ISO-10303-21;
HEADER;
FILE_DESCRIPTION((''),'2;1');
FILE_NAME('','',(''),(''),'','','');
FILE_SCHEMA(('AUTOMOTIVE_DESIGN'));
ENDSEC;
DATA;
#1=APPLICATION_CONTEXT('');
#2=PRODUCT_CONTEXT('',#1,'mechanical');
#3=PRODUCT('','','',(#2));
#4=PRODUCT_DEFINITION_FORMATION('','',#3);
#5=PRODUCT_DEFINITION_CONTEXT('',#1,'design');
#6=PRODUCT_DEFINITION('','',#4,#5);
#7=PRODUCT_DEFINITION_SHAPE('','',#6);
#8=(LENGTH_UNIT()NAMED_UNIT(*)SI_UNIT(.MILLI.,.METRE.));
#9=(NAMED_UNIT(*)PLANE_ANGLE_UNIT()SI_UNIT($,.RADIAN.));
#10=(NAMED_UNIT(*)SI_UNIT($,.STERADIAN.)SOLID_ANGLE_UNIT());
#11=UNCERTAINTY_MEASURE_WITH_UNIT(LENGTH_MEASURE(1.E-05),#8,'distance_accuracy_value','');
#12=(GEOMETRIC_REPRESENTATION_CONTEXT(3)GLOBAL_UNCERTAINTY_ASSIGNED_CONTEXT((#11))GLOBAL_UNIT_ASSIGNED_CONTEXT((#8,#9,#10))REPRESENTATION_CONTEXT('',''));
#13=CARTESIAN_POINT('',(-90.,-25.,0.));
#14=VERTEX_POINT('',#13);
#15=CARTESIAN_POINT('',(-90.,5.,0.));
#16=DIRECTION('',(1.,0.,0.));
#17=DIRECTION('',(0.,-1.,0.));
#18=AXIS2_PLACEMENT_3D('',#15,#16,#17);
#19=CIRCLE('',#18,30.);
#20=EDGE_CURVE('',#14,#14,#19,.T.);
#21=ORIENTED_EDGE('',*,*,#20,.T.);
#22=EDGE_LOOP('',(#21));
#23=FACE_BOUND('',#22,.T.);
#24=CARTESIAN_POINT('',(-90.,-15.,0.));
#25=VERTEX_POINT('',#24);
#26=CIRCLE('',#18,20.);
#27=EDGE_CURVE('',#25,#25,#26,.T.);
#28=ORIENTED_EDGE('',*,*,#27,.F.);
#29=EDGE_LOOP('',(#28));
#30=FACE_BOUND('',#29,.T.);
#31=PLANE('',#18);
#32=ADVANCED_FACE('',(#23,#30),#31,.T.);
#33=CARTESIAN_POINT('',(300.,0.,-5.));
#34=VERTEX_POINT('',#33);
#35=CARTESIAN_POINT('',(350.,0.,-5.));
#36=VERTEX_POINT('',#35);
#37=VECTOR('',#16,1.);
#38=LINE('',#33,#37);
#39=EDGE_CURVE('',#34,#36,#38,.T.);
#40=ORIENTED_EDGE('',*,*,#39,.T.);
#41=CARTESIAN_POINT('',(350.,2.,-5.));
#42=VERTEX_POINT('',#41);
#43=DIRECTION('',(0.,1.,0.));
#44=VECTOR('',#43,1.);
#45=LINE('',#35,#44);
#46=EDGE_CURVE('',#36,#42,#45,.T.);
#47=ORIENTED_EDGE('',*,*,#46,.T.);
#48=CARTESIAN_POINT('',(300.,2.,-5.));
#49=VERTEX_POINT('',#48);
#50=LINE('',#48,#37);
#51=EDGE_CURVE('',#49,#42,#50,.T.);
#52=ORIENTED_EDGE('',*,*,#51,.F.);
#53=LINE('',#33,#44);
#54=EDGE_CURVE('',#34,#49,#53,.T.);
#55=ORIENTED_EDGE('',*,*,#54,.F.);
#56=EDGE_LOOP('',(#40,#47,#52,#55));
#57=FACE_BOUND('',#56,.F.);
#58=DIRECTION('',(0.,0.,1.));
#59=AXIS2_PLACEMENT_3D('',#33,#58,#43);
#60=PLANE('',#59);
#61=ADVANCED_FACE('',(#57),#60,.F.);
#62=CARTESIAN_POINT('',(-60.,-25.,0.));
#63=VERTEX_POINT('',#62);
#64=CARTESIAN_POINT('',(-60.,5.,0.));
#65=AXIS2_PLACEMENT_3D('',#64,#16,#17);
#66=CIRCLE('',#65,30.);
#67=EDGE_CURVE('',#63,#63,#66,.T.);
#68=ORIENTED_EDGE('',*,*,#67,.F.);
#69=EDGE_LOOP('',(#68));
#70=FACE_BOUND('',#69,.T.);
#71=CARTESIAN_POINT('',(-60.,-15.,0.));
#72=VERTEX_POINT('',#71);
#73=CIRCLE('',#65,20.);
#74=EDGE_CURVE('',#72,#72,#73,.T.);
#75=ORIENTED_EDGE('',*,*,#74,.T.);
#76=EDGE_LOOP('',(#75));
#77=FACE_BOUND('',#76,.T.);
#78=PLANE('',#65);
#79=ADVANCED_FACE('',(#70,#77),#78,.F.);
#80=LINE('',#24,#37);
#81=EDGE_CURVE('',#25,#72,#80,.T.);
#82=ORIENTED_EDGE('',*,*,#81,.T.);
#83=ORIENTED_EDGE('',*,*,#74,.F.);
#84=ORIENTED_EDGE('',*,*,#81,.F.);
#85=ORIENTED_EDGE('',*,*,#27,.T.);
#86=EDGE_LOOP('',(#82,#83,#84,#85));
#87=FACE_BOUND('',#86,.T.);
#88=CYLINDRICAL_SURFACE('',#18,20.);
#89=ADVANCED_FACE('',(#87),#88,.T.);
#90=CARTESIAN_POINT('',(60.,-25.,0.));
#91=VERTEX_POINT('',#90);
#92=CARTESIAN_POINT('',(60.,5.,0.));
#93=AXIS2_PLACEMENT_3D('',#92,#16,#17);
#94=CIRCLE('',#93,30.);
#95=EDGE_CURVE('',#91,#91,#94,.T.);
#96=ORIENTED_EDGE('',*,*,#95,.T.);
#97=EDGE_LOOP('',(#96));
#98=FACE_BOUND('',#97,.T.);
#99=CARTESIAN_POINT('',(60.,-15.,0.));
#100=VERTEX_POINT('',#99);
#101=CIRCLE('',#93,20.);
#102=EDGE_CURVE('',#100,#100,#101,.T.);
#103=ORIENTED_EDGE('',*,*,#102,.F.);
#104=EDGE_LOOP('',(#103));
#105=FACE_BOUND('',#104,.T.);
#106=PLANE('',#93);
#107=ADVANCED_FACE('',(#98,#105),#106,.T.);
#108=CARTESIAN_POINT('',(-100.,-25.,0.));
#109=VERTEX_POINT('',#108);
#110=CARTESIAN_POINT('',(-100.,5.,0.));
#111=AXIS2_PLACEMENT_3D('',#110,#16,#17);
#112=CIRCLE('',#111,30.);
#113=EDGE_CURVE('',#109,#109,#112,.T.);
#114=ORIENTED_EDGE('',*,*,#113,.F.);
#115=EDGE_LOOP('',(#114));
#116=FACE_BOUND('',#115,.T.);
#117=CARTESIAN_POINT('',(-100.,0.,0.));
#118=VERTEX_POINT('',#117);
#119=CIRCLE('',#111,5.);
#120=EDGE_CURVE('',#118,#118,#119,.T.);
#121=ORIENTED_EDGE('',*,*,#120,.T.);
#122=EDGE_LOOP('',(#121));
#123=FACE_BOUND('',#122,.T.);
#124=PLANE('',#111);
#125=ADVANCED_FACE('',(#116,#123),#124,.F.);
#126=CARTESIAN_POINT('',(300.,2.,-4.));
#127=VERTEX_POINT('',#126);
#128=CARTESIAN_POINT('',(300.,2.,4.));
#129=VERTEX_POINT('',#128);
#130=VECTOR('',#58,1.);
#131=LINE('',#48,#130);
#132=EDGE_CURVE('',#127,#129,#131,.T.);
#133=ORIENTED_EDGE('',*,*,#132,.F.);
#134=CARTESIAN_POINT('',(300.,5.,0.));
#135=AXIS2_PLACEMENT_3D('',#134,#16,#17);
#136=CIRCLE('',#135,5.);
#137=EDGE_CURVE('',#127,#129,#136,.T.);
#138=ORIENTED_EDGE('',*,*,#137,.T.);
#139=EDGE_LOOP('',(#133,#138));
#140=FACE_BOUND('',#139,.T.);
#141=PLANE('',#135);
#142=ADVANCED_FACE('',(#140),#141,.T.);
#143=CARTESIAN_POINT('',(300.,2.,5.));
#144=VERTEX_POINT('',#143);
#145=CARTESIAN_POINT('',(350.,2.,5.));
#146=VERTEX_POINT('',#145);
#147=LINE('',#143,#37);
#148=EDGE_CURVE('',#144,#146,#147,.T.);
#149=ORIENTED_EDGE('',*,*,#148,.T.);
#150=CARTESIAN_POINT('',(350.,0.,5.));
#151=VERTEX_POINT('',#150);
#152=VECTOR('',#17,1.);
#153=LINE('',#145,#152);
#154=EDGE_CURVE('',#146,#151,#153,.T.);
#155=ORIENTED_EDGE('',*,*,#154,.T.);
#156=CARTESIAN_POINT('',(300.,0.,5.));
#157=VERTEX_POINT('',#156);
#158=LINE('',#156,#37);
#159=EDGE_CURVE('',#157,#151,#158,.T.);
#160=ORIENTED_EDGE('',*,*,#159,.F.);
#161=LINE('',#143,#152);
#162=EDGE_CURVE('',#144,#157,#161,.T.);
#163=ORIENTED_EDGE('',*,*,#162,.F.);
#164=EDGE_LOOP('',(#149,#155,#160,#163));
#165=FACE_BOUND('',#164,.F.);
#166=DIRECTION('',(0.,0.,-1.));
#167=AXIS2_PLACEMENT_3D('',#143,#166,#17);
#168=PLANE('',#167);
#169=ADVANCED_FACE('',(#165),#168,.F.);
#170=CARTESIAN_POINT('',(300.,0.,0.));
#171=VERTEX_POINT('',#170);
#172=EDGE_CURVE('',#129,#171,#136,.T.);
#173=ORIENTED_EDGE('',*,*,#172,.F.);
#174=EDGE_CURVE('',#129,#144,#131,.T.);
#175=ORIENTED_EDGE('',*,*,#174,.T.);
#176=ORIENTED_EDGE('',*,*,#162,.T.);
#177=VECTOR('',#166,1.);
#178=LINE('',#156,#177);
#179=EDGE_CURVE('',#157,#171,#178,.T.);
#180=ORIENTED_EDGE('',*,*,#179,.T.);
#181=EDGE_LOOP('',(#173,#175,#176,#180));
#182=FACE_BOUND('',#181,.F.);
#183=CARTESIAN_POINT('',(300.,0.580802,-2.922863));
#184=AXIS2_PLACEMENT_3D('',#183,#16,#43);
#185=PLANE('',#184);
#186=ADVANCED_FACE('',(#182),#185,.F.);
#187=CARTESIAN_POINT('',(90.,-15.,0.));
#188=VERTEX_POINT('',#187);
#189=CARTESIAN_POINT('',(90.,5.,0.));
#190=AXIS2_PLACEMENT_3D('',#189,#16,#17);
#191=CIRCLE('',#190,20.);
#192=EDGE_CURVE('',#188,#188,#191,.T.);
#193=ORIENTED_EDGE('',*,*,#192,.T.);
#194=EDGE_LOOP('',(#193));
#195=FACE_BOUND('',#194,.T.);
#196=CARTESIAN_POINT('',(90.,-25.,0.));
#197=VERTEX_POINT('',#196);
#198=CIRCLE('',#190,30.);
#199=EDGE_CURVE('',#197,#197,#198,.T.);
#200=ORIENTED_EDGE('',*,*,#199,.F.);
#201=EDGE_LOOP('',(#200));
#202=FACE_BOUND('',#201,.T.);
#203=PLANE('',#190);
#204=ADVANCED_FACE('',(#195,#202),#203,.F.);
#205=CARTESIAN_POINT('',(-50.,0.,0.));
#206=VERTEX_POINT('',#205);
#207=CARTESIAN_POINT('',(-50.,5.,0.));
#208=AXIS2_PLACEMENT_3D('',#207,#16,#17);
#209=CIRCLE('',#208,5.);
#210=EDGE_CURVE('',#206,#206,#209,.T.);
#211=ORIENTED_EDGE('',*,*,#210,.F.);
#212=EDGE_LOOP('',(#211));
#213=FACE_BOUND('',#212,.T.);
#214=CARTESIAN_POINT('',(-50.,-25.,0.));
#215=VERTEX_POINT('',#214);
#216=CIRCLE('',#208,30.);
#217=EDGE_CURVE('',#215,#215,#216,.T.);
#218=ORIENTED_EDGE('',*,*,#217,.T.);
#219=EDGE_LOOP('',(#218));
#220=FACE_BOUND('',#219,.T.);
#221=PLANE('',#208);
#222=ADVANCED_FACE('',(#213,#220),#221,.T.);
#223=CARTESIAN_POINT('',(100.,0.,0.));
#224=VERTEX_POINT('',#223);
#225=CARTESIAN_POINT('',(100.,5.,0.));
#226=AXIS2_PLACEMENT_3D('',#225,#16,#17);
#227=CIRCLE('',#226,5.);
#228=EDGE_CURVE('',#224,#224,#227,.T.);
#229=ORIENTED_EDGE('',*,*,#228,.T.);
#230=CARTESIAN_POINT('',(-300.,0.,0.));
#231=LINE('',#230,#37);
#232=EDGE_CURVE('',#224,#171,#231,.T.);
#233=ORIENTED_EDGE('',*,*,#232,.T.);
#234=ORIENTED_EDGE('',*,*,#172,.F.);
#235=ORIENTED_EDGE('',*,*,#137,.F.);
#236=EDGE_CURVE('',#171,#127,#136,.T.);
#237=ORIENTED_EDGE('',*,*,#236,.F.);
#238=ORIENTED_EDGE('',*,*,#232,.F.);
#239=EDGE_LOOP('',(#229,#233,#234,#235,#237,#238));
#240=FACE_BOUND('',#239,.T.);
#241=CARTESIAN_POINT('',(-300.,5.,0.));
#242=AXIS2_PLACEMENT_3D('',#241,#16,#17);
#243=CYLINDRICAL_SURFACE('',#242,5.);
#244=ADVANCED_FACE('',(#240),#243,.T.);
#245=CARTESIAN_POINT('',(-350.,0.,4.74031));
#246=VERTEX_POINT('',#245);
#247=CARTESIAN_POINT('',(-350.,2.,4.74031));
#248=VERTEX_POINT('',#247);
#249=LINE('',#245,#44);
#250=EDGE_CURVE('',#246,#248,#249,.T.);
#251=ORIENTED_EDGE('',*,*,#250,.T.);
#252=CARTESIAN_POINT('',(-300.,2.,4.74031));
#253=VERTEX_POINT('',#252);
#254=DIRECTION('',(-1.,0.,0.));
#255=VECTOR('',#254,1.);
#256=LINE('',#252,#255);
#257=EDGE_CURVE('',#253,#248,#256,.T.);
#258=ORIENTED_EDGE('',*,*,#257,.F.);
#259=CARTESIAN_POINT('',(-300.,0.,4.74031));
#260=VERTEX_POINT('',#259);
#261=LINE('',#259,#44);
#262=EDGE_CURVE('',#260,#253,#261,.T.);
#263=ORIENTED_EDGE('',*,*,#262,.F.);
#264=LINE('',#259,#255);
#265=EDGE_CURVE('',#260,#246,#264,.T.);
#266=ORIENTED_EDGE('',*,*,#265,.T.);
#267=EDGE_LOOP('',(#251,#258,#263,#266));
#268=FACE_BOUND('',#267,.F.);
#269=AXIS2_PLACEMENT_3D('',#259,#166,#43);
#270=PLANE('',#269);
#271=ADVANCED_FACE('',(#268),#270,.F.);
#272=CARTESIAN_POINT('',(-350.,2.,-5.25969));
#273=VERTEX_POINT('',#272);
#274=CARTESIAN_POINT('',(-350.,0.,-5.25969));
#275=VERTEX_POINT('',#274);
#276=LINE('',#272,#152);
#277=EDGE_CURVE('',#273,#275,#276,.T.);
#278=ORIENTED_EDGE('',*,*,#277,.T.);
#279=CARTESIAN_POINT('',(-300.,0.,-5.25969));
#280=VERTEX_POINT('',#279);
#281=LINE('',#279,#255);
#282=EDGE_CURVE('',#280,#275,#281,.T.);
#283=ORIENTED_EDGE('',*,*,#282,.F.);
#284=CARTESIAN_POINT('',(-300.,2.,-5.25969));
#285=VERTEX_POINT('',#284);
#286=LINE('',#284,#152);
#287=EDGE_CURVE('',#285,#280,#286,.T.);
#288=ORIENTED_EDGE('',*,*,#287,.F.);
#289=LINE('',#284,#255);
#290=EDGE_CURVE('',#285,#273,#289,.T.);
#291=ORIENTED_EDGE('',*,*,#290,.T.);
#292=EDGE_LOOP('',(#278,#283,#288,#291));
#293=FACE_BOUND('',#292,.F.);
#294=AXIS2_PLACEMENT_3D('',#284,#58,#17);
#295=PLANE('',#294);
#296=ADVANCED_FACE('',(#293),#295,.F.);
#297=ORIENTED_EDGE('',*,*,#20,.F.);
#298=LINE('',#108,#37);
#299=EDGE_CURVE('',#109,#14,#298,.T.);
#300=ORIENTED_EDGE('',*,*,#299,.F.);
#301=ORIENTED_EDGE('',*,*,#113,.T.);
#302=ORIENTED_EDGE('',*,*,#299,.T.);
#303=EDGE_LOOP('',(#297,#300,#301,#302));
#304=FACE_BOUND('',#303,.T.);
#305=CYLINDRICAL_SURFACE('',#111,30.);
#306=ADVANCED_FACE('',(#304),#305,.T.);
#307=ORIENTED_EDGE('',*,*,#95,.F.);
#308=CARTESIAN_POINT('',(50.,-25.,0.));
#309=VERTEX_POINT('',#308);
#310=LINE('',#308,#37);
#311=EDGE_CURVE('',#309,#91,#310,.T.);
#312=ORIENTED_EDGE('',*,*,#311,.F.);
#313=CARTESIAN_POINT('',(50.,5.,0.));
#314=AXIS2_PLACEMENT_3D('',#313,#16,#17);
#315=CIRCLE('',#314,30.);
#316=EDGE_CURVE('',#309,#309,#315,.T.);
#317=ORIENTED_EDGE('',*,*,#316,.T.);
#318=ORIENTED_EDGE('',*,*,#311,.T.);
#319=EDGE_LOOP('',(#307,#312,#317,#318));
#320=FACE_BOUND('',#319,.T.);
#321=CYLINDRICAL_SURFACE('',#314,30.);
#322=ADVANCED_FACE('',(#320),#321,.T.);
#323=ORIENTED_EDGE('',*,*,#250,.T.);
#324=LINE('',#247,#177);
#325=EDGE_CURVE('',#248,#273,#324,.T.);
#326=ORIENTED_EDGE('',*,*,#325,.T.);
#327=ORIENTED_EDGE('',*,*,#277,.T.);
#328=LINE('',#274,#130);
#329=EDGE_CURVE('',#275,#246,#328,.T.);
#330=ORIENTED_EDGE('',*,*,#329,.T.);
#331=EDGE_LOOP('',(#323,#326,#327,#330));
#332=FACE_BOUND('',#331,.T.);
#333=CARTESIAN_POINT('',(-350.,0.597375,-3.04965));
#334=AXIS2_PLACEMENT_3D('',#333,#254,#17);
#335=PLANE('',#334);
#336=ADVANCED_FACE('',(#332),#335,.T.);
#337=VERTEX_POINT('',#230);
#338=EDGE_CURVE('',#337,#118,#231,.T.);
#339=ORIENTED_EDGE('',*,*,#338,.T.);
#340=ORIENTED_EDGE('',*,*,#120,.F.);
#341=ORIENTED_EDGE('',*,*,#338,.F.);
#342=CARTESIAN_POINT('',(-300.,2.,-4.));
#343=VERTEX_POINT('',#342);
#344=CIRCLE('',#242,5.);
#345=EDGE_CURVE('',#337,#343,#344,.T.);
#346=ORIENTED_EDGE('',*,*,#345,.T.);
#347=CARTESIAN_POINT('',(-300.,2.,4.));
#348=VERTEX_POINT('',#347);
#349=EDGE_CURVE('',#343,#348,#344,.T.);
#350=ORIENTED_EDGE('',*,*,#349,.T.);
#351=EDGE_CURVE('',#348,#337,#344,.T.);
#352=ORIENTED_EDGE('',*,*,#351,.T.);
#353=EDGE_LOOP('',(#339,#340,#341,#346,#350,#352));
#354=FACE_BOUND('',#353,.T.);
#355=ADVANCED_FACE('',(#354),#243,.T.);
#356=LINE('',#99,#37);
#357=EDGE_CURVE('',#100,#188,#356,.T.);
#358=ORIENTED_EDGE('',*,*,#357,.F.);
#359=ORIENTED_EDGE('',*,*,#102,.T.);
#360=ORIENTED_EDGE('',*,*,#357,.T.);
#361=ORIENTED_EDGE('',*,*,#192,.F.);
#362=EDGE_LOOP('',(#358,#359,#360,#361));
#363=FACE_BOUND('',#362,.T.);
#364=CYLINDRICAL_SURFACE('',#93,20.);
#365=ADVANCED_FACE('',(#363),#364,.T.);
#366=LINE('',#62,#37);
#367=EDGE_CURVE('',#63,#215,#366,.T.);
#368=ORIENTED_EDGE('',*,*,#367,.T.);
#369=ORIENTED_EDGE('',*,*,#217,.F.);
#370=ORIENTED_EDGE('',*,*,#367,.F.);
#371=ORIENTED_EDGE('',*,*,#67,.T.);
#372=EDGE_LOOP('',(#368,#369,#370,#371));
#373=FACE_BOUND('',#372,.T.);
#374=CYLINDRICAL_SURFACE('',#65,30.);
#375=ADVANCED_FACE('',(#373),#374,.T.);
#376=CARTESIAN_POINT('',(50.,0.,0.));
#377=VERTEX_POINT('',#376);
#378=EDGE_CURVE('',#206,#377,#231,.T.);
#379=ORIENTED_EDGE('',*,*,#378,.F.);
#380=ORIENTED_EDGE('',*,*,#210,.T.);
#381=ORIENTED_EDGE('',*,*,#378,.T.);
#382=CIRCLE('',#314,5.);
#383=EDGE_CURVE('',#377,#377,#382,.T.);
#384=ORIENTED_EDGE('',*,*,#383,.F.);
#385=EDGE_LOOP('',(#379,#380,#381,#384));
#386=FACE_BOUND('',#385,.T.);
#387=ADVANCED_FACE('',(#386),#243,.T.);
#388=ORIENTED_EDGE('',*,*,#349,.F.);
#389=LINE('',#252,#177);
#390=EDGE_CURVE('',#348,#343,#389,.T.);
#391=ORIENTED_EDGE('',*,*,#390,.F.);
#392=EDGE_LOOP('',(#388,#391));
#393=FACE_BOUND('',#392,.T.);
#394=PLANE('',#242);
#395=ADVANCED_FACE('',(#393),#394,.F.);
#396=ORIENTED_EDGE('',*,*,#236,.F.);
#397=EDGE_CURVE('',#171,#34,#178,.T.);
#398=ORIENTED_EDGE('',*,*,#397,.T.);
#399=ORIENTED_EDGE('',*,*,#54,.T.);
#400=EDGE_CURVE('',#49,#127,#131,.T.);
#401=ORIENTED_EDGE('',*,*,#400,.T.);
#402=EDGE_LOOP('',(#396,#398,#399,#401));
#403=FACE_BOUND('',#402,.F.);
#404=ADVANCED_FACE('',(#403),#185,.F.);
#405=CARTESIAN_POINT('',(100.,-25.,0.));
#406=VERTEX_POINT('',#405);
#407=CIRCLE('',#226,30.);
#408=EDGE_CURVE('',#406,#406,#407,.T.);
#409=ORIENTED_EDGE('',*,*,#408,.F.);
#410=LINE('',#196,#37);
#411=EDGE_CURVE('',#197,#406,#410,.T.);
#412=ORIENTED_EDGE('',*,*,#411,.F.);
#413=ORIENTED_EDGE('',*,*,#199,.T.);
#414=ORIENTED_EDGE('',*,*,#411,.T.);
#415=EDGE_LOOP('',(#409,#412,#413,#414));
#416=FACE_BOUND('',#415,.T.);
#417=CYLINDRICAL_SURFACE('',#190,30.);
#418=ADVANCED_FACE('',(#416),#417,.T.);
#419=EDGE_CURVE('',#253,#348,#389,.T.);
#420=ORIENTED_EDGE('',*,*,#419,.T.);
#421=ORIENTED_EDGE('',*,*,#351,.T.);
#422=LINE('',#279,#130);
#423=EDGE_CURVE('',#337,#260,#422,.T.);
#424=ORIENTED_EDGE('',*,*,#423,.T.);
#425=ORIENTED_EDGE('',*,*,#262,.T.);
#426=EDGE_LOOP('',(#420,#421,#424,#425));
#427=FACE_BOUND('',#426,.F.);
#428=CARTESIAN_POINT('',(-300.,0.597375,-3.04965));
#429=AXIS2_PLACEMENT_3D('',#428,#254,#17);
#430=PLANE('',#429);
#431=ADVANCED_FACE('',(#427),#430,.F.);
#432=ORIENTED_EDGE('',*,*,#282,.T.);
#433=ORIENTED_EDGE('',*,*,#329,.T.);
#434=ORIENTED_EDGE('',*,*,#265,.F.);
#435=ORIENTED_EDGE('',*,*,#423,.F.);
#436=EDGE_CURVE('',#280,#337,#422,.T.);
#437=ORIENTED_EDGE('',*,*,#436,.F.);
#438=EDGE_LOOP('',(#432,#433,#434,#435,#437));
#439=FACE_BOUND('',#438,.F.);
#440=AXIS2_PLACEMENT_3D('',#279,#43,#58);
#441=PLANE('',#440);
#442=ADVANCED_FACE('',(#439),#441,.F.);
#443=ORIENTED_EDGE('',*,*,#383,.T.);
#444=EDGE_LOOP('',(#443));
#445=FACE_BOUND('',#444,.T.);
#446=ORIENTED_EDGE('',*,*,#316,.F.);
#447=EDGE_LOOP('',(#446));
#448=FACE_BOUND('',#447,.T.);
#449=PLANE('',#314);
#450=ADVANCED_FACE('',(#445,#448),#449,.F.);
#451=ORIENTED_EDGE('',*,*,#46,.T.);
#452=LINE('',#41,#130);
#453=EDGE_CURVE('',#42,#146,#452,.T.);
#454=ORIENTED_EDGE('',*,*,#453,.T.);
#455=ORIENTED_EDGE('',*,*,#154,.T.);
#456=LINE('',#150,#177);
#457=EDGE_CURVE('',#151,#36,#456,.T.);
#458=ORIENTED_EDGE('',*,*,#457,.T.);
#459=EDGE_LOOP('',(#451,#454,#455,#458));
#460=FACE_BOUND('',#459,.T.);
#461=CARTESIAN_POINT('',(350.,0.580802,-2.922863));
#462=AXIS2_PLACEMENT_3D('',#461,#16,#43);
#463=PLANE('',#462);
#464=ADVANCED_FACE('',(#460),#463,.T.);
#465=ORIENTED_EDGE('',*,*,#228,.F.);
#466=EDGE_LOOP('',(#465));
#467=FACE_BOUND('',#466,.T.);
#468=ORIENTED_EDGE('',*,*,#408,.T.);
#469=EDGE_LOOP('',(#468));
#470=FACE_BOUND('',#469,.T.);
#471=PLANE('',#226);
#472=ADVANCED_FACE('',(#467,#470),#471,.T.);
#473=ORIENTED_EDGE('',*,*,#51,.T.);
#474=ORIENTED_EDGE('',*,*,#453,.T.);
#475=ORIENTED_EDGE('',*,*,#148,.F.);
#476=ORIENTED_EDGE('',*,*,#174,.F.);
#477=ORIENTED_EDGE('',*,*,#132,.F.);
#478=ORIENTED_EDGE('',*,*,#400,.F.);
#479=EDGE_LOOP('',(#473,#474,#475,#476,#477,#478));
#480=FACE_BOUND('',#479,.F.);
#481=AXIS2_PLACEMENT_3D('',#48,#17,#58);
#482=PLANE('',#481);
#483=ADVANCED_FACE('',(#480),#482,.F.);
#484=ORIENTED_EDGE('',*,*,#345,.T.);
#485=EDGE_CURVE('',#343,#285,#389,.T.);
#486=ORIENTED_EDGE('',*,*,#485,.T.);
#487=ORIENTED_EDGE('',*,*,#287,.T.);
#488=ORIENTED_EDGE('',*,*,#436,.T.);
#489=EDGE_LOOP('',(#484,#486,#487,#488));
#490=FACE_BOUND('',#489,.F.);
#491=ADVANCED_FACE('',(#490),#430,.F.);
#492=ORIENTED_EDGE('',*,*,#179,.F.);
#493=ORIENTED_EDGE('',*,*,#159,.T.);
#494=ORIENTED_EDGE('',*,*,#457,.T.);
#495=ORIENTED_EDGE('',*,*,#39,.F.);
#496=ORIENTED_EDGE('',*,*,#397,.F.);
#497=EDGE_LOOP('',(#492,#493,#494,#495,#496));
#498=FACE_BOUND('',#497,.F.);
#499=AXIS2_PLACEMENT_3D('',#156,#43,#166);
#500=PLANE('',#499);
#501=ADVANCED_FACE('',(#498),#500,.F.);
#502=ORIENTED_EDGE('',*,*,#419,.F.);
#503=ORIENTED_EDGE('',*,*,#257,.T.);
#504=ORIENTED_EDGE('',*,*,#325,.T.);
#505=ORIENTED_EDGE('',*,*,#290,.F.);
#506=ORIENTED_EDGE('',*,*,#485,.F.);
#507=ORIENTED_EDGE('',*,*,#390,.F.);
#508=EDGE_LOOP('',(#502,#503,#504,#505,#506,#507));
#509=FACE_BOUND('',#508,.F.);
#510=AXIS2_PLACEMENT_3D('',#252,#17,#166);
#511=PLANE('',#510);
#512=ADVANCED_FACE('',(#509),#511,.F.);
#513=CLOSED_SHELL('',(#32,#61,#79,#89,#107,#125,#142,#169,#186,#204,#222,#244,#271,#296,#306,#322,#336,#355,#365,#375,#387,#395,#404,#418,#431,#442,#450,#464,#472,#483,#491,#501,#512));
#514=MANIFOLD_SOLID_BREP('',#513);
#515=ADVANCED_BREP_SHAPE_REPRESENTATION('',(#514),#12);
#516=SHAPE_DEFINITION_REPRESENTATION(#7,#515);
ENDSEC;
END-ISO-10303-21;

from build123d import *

# Parameters (mm, degrees)
F3_DEPTH = 50
F5_DEPTH = 50


with BuildPart() as f1:
    # F0 (on Top) → F1 (revolve)
    with BuildSketch(Plane.XY):
        Polygon((-300, 5), (-300, 0), (-100, 0), (-50, 0), (50, 0), (100, 0), (300, 0), (300, 5), align=None)
        Polygon((-50, 0), (-100, 0), (-100, -25), (-90, -25), (-90, -15), (-60, -15), (-60, -25), (-50, -25), align=None)
        Polygon((100, 0), (50, 0), (50, -25), (60, -25), (60, -15), (90, -15), (90, -25), (100, -25), align=None)
    revolve(axis=Axis((0, 5, 0), (1, 0, 0)))

    # F2 (on face) → F3 (join)
    with BuildSketch(Plane(origin=(-300, 0, 0), x_dir=(0, -1, 0), z_dir=(-1, 0, 0))):
        with BuildLine():
            Line((0, -5.2596899241), (0, 0))
            ThreePointArc((0, 0), (-0.527864045, -2.2360679775), (-2, -4))
            Line((-2, -4), (-2, -5.2596899241))
            Line((-2, -5.2596899241), (0, -5.2596899241))
        make_face()
        with BuildLine():
            ThreePointArc((0, 0), (-0.527864045, 2.2360679775), (-2, 4))
            Line((-2, 4), (-2, -4))
            ThreePointArc((-2, -4), (-0.527864045, -2.2360679775), (0, 0))
        make_face()
        with BuildLine():
            Line((0, 4.7403100759), (-2, 4.7403100759))
            Line((-2, 4.7403100759), (-2, 4))
            ThreePointArc((-2, 4), (-0.527864045, 2.2360679775), (0, 0))
            Line((0, 0), (0, 4.7403100759))
        make_face()
    extrude(amount=F3_DEPTH)

    # F4 (on face) → F5 (join)
    with BuildSketch(Plane.YZ.offset(300)):
        with BuildLine():
            ThreePointArc((2, -4), (0.527864045, -2.2360679775), (0, 0))
            Line((0, 0), (0, -5))
            Line((0, -5), (2, -5))
            Line((2, -5), (2, -4))
        make_face()
        with BuildLine():
            Line((2, 5), (0, 5))
            Line((0, 5), (0, 0))
            ThreePointArc((0, 0), (0.527864045, 2.2360679775), (2, 4))
            Line((2, 4), (2, 5))
        make_face()
        with BuildLine():
            ThreePointArc((2, 4), (0.527864045, 2.2360679775), (0, 0))
            ThreePointArc((0, 0), (0.527864045, -2.2360679775), (2, -4))
            Line((2, -4), (2, 4))
        make_face()
    extrude(amount=F5_DEPTH)


solid = f1.part
